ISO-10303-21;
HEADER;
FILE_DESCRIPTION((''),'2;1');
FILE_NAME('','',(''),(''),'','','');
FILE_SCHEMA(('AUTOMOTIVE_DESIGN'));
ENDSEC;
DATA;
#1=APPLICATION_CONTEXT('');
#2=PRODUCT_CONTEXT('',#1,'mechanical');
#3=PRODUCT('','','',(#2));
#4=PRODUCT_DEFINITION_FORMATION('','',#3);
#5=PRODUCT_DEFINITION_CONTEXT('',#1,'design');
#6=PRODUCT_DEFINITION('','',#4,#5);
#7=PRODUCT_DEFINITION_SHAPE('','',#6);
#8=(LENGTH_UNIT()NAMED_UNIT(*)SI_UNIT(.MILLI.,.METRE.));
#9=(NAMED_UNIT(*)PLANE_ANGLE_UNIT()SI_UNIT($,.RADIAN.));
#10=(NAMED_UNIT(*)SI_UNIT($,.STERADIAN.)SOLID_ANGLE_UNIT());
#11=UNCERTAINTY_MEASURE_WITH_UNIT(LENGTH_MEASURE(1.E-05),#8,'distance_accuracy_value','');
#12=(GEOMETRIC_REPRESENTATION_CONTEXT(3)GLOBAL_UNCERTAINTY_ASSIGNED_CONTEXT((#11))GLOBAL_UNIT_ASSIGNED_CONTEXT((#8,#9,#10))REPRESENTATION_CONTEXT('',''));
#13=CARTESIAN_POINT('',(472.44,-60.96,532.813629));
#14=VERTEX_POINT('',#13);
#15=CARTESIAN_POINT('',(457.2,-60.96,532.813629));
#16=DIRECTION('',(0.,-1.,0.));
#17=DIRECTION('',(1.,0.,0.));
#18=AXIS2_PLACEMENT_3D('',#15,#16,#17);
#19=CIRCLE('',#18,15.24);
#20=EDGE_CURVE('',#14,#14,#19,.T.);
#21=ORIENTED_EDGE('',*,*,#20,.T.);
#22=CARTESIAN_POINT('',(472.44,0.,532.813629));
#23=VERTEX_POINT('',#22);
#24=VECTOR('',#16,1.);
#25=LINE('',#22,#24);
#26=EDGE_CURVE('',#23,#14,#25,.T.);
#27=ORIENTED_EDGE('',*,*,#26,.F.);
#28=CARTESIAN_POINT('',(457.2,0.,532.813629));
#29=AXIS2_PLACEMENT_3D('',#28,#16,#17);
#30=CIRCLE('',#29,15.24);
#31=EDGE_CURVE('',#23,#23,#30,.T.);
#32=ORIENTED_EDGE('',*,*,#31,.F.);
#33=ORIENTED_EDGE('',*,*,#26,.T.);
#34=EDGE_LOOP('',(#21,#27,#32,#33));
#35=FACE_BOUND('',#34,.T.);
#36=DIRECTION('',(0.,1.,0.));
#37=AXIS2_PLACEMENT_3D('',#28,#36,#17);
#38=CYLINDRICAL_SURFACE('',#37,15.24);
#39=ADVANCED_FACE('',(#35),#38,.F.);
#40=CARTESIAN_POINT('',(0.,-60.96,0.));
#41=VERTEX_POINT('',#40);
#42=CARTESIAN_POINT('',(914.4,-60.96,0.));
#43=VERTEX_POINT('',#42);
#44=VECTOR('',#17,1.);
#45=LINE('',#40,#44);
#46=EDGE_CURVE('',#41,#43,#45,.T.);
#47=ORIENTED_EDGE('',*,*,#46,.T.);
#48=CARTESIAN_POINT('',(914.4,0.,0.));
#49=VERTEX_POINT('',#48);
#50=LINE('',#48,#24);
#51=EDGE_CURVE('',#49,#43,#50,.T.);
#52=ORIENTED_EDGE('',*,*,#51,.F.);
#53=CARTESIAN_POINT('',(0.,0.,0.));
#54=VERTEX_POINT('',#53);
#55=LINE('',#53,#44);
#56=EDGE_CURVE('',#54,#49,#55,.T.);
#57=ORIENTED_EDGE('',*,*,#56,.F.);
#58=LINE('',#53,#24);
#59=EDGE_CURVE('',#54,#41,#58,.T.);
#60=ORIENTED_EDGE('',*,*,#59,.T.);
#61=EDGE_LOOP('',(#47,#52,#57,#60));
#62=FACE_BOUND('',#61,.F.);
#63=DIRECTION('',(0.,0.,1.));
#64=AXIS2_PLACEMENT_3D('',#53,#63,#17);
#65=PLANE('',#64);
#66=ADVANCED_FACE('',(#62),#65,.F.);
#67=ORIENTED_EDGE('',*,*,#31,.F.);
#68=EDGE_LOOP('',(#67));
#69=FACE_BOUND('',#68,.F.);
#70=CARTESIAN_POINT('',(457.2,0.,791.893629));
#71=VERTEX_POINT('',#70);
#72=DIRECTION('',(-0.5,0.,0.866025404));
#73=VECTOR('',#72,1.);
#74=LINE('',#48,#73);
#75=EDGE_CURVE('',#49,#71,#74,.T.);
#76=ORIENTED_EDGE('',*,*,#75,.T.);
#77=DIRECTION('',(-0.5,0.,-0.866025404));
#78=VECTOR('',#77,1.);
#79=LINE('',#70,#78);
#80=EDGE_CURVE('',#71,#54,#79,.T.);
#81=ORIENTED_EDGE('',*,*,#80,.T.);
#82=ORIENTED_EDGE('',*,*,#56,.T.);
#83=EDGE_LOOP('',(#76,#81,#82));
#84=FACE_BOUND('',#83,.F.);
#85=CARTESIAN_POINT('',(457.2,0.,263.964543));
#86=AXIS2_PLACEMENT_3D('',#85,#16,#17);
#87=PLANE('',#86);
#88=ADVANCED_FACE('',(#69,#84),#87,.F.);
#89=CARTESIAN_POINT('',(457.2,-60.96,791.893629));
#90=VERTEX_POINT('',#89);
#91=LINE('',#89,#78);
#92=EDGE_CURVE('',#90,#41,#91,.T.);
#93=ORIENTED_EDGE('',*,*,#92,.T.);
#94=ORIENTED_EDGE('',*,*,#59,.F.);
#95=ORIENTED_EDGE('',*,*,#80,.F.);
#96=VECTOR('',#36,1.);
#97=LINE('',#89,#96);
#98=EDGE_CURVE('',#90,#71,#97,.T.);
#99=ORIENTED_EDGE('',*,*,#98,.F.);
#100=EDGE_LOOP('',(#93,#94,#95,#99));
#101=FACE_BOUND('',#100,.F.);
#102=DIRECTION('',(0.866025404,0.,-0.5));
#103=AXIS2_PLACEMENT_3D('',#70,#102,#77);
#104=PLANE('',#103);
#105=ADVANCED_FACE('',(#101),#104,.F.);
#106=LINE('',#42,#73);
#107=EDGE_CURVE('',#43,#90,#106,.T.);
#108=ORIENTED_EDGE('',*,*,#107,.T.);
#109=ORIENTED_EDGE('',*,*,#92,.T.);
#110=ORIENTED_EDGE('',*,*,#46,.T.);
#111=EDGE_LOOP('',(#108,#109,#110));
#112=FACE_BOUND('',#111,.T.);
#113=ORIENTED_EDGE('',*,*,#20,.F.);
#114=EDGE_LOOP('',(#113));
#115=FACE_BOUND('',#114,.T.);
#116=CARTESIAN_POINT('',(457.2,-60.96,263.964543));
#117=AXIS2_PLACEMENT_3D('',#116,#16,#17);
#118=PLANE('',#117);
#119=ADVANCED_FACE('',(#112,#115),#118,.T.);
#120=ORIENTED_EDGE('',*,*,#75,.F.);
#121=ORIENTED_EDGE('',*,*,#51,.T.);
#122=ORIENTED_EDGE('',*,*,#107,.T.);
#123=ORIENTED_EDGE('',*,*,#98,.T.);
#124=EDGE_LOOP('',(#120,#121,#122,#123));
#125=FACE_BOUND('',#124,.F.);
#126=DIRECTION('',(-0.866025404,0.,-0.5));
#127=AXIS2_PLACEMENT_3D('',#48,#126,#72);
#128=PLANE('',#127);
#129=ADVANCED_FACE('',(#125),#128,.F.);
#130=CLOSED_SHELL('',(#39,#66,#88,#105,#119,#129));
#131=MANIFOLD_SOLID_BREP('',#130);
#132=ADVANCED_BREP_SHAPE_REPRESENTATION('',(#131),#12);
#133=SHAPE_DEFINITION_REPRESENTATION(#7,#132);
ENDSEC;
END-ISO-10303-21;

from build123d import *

# Parameters (mm, degrees)
F0_R     = 15.24
F1_DEPTH = 60.96
F2_DEPTH = 30.48


with BuildPart() as f1:
    # F0 (on Front) → F1 (new body)
    with BuildSketch(Plane.XZ):
        Polygon((457.2, 791.893629), (0, 0), (914.4, 0), align=None)
        with Locations((457.2, 532.813629)):
            Circle(F0_R, mode=Mode.SUBTRACT)
    extrude(amount=F1_DEPTH)

    # F0 (on Front) → F2 (join)
    with BuildSketch(Plane.XZ):
        Polygon((457.2, 791.893629), (0, 0), (914.4, 0), align=None)
        with Locations((457.2, 532.813629)):
            Circle(F0_R, mode=Mode.SUBTRACT)
    extrude(amount=F2_DEPTH)


solid = f1.part
